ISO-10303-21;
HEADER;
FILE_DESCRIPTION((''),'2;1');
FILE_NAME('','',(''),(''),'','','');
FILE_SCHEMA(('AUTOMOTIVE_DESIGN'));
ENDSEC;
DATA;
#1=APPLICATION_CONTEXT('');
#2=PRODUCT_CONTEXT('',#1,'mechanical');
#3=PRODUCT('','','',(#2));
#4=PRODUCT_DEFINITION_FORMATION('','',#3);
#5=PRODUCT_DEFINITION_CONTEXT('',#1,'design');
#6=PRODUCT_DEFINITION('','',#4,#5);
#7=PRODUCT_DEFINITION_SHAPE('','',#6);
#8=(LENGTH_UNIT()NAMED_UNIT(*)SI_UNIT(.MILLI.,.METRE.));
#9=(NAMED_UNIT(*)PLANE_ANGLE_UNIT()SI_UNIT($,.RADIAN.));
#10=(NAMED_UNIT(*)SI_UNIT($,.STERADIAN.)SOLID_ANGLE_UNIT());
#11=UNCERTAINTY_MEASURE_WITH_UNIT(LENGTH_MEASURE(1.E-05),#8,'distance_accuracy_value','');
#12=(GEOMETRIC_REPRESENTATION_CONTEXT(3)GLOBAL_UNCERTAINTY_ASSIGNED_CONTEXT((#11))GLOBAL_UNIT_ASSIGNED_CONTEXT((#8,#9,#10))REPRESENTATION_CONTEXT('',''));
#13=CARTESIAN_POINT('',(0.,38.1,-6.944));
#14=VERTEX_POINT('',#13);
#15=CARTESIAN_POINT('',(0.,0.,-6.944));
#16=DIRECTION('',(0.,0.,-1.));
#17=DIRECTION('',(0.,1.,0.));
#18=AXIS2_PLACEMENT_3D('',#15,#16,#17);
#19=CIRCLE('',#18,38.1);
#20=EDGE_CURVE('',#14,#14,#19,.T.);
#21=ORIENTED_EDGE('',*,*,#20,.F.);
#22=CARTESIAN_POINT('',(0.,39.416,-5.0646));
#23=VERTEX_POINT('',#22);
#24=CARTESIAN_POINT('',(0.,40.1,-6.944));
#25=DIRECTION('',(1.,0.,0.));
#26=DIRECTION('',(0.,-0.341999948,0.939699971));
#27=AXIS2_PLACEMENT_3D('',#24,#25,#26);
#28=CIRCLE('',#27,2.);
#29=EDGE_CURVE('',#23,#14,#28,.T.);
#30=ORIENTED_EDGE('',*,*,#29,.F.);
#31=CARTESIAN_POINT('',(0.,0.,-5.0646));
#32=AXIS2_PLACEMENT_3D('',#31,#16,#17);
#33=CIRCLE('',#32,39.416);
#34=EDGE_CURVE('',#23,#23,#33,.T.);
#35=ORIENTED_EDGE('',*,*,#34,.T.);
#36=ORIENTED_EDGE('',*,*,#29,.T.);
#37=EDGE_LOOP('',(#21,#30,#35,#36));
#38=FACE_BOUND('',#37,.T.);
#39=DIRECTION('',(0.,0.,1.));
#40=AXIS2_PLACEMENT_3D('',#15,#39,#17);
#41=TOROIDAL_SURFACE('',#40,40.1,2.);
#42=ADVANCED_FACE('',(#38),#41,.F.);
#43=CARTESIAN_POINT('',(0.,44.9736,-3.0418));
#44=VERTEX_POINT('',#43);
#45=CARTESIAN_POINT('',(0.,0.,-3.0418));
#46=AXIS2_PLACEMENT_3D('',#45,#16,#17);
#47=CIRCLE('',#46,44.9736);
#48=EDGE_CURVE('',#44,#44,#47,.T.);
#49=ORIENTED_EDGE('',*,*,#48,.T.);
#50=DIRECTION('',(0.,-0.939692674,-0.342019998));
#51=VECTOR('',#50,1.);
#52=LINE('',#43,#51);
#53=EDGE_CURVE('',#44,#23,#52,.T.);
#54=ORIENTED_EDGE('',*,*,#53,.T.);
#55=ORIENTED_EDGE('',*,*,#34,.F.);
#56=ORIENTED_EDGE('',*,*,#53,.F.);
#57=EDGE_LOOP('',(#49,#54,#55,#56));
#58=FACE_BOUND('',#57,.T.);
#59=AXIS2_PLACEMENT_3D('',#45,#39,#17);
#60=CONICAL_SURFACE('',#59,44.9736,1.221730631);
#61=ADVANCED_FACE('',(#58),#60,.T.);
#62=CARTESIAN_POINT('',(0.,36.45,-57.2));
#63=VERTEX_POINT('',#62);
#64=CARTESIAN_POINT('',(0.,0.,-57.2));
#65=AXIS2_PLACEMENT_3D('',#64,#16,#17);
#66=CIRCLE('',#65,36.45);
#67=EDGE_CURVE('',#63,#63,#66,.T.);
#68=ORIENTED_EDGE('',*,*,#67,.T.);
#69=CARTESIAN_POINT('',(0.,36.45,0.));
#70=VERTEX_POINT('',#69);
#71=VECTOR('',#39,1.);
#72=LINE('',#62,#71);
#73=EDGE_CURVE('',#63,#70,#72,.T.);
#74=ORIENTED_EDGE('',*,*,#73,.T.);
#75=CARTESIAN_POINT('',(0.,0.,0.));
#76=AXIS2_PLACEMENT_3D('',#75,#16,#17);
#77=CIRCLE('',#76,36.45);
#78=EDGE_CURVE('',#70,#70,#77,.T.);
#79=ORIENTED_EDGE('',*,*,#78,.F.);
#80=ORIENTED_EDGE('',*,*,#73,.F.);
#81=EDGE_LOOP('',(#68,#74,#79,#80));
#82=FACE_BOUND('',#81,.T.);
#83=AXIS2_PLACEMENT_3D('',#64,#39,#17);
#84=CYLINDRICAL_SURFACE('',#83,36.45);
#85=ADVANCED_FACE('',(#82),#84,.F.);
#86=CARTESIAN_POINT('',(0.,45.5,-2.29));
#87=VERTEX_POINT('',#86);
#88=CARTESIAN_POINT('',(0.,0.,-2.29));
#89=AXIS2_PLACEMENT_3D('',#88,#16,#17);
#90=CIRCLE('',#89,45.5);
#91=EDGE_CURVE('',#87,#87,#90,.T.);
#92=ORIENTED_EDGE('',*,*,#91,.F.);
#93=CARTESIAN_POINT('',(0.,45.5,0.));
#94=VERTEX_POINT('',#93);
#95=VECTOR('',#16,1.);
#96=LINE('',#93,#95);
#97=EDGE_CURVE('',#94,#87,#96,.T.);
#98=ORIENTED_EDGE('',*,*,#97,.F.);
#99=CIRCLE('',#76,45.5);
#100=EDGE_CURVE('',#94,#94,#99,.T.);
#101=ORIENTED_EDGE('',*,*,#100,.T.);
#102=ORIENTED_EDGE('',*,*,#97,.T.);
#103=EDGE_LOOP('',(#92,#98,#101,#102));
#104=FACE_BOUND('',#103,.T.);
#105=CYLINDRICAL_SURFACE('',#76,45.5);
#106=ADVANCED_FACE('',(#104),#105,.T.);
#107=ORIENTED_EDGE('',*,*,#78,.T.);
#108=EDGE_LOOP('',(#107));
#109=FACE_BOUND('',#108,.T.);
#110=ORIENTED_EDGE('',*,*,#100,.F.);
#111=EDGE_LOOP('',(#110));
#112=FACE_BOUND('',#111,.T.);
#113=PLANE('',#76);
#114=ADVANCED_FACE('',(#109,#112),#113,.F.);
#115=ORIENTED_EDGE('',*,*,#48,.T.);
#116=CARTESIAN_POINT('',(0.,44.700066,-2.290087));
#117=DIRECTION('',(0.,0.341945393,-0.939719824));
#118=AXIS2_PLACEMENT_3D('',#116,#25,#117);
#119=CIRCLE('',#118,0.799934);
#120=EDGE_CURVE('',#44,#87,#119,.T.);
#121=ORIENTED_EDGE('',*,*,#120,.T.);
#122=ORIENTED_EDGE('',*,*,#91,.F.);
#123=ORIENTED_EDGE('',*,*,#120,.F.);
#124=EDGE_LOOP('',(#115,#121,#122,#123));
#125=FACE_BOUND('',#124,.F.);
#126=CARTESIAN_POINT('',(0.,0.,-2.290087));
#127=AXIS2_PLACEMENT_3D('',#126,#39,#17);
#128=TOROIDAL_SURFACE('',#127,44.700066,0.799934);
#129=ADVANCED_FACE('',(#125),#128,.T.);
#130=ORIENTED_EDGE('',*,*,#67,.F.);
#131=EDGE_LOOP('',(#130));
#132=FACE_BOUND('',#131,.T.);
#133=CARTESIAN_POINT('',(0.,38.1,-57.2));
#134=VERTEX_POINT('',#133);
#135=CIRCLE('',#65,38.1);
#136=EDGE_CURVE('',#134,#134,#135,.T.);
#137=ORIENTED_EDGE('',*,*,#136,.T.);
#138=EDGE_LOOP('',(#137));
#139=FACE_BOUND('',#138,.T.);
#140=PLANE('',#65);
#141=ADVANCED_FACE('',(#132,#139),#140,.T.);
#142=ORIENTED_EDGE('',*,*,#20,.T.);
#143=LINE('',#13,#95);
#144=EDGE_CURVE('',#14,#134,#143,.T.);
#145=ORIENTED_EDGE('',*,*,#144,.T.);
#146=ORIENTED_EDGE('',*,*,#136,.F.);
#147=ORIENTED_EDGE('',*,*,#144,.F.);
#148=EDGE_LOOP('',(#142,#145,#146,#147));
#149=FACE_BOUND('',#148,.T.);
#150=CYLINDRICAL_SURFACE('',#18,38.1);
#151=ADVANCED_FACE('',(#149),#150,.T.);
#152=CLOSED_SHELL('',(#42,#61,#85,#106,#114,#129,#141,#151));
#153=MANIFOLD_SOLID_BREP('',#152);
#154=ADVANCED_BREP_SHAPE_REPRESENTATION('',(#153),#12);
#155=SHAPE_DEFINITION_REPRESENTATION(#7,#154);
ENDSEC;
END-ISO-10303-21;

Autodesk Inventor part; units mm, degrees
ref_plane "YZ Plane" through (0, 0, 0) normal (1, 0, 0) x (0, 1, 0)
ref_plane "XZ Plane" through (0, 0, 0) normal (0, 1, 0) x (-1, 0, 0)
ref_plane "XY Plane" through (0, 0, 0) normal (0, 0, 1) x (1, 0, 0)
sketch "Sketch2" plane through (0, 0, 0) normal (1, 0, 0) x (0, 1, 0)
  line L0 (0, 0) -> (0, -57.2)
  line L1 (36.45, -57.2) -> (36.45, 0)
  line L2 (36.45, 0) -> (45.5, 0)
  line L3 (45.5, 0) -> (45.5, -2.29)
  line L4 (44.9736, -3.0418) -> (39.416, -5.0646)
  line L5 (38.1, -6.944) -> (38.1, -57.2)
  line L6 (38.1, -57.2) -> (36.45, -57.2)
  arc A0 (44.9736, -3.0418) -> (45.5, -2.29) centre (44.7, -2.29) ccw
  arc A1 (39.416, -5.0646) -> (38.1, -6.944) centre (40.1, -6.944) ccw
  dimension "OD" = 76.2
  dimension "THW" = 1.65
  dimension "L" = 57.2
  dimension "d3" = 91
  dimension "d4" = 0.8
  dimension "d5" = 2.29
  dimension "d6" = 2
  dimension "d7" = 20
revolve "Revolution1" add sketch "Sketch2" angle 360 about axis through (0, 0, 0) along (0, 0, -1)
properties part number "Ferrule-76.2" material "Stainless Steel, 316L"
